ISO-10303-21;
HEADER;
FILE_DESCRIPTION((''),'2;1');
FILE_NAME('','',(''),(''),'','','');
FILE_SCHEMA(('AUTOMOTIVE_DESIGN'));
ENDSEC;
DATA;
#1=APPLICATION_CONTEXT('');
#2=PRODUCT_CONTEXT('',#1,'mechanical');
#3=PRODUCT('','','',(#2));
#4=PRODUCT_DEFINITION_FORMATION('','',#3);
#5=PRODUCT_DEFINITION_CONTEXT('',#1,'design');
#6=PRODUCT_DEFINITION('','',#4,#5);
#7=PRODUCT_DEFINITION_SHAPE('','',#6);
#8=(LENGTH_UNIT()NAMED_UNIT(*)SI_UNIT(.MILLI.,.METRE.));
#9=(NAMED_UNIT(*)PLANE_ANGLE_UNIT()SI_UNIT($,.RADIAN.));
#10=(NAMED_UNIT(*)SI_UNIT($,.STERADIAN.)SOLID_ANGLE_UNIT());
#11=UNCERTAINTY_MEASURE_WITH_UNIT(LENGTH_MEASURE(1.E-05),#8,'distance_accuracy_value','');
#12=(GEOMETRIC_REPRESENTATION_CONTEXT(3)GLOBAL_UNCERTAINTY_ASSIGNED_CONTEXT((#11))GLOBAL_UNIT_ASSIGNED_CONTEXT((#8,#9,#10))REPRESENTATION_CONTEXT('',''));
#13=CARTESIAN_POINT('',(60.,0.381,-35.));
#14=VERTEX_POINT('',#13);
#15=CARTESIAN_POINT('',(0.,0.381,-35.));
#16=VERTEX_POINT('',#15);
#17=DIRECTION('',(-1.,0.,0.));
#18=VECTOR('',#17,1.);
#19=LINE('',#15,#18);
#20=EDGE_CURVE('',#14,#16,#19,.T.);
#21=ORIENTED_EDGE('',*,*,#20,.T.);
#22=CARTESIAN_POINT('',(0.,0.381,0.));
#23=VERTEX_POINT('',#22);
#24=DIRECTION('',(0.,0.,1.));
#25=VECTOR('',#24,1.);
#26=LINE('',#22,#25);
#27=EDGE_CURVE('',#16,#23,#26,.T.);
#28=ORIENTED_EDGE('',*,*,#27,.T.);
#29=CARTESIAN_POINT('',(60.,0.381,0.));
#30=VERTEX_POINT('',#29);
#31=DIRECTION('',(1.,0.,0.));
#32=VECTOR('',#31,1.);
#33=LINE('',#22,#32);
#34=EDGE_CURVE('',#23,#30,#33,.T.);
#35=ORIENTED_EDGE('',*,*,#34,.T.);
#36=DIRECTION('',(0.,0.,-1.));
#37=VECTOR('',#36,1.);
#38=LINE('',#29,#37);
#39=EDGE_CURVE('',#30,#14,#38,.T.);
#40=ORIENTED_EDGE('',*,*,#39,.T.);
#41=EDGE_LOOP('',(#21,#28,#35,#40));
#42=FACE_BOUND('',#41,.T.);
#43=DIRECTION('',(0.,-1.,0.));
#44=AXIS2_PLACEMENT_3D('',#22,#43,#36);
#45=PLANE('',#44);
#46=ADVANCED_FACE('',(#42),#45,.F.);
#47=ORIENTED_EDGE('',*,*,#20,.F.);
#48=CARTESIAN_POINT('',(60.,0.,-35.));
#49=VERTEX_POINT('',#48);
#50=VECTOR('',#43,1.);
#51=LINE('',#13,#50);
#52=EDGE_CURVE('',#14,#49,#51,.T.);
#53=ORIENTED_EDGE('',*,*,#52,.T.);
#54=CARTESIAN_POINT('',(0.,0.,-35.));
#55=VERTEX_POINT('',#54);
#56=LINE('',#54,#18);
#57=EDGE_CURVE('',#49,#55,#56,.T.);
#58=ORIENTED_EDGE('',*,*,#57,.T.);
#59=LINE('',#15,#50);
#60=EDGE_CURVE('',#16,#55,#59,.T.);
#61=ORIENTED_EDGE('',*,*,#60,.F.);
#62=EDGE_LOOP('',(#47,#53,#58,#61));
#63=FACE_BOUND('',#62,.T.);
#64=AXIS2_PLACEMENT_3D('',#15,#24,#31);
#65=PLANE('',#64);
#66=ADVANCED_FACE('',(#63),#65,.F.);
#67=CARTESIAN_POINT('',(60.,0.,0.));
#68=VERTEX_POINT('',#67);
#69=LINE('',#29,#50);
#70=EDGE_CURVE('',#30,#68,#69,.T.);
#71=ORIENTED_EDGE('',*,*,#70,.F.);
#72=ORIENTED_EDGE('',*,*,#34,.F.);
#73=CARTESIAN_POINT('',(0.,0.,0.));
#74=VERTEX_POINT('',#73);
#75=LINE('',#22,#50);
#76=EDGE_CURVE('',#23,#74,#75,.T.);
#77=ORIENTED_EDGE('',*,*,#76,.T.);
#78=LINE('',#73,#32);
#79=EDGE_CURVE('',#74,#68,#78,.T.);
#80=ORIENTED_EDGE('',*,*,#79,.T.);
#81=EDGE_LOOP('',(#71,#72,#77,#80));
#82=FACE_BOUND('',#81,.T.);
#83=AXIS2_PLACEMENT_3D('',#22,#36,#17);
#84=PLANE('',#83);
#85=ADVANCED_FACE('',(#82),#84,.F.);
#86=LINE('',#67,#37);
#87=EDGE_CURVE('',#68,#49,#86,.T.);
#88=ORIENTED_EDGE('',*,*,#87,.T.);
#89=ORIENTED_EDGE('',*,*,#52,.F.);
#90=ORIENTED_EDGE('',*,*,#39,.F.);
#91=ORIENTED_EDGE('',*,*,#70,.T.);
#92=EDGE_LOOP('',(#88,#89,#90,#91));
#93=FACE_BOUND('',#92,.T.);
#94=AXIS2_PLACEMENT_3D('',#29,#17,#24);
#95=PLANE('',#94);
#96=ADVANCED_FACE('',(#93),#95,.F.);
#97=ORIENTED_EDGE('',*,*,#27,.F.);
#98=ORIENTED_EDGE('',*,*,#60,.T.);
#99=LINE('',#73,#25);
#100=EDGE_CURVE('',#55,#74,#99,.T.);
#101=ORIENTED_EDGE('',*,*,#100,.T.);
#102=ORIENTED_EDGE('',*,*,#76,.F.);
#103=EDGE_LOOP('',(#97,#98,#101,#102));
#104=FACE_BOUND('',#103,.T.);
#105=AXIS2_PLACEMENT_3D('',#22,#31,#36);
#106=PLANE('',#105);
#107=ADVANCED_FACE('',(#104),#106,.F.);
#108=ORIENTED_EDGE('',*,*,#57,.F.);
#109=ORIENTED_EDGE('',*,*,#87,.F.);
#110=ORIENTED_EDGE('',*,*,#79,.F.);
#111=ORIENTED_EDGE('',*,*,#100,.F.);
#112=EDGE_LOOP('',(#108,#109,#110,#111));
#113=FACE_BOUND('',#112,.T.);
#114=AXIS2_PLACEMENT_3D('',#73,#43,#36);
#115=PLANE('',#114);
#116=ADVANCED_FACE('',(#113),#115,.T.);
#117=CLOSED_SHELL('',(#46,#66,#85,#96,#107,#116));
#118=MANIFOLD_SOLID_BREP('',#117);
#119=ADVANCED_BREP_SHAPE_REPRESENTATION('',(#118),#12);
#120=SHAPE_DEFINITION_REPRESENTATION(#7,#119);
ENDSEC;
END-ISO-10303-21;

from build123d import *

# Parameters (mm, degrees)
SKETCH1_W           = 60
SKETCH1_H           = 35
BOSS_EXTRUDE1_DEPTH = 0.381


with BuildPart() as part:
    # Sketch1 → Boss-Extrude1 (new body)
    with BuildSketch(Plane(origin=(0, 0, 0), x_dir=(1, 0, 0), z_dir=(0, 1, 0))):
        with Locations((30, 17.5)):
            Rectangle(SKETCH1_W, SKETCH1_H)
    extrude(amount=BOSS_EXTRUDE1_DEPTH)


solid = part.part
